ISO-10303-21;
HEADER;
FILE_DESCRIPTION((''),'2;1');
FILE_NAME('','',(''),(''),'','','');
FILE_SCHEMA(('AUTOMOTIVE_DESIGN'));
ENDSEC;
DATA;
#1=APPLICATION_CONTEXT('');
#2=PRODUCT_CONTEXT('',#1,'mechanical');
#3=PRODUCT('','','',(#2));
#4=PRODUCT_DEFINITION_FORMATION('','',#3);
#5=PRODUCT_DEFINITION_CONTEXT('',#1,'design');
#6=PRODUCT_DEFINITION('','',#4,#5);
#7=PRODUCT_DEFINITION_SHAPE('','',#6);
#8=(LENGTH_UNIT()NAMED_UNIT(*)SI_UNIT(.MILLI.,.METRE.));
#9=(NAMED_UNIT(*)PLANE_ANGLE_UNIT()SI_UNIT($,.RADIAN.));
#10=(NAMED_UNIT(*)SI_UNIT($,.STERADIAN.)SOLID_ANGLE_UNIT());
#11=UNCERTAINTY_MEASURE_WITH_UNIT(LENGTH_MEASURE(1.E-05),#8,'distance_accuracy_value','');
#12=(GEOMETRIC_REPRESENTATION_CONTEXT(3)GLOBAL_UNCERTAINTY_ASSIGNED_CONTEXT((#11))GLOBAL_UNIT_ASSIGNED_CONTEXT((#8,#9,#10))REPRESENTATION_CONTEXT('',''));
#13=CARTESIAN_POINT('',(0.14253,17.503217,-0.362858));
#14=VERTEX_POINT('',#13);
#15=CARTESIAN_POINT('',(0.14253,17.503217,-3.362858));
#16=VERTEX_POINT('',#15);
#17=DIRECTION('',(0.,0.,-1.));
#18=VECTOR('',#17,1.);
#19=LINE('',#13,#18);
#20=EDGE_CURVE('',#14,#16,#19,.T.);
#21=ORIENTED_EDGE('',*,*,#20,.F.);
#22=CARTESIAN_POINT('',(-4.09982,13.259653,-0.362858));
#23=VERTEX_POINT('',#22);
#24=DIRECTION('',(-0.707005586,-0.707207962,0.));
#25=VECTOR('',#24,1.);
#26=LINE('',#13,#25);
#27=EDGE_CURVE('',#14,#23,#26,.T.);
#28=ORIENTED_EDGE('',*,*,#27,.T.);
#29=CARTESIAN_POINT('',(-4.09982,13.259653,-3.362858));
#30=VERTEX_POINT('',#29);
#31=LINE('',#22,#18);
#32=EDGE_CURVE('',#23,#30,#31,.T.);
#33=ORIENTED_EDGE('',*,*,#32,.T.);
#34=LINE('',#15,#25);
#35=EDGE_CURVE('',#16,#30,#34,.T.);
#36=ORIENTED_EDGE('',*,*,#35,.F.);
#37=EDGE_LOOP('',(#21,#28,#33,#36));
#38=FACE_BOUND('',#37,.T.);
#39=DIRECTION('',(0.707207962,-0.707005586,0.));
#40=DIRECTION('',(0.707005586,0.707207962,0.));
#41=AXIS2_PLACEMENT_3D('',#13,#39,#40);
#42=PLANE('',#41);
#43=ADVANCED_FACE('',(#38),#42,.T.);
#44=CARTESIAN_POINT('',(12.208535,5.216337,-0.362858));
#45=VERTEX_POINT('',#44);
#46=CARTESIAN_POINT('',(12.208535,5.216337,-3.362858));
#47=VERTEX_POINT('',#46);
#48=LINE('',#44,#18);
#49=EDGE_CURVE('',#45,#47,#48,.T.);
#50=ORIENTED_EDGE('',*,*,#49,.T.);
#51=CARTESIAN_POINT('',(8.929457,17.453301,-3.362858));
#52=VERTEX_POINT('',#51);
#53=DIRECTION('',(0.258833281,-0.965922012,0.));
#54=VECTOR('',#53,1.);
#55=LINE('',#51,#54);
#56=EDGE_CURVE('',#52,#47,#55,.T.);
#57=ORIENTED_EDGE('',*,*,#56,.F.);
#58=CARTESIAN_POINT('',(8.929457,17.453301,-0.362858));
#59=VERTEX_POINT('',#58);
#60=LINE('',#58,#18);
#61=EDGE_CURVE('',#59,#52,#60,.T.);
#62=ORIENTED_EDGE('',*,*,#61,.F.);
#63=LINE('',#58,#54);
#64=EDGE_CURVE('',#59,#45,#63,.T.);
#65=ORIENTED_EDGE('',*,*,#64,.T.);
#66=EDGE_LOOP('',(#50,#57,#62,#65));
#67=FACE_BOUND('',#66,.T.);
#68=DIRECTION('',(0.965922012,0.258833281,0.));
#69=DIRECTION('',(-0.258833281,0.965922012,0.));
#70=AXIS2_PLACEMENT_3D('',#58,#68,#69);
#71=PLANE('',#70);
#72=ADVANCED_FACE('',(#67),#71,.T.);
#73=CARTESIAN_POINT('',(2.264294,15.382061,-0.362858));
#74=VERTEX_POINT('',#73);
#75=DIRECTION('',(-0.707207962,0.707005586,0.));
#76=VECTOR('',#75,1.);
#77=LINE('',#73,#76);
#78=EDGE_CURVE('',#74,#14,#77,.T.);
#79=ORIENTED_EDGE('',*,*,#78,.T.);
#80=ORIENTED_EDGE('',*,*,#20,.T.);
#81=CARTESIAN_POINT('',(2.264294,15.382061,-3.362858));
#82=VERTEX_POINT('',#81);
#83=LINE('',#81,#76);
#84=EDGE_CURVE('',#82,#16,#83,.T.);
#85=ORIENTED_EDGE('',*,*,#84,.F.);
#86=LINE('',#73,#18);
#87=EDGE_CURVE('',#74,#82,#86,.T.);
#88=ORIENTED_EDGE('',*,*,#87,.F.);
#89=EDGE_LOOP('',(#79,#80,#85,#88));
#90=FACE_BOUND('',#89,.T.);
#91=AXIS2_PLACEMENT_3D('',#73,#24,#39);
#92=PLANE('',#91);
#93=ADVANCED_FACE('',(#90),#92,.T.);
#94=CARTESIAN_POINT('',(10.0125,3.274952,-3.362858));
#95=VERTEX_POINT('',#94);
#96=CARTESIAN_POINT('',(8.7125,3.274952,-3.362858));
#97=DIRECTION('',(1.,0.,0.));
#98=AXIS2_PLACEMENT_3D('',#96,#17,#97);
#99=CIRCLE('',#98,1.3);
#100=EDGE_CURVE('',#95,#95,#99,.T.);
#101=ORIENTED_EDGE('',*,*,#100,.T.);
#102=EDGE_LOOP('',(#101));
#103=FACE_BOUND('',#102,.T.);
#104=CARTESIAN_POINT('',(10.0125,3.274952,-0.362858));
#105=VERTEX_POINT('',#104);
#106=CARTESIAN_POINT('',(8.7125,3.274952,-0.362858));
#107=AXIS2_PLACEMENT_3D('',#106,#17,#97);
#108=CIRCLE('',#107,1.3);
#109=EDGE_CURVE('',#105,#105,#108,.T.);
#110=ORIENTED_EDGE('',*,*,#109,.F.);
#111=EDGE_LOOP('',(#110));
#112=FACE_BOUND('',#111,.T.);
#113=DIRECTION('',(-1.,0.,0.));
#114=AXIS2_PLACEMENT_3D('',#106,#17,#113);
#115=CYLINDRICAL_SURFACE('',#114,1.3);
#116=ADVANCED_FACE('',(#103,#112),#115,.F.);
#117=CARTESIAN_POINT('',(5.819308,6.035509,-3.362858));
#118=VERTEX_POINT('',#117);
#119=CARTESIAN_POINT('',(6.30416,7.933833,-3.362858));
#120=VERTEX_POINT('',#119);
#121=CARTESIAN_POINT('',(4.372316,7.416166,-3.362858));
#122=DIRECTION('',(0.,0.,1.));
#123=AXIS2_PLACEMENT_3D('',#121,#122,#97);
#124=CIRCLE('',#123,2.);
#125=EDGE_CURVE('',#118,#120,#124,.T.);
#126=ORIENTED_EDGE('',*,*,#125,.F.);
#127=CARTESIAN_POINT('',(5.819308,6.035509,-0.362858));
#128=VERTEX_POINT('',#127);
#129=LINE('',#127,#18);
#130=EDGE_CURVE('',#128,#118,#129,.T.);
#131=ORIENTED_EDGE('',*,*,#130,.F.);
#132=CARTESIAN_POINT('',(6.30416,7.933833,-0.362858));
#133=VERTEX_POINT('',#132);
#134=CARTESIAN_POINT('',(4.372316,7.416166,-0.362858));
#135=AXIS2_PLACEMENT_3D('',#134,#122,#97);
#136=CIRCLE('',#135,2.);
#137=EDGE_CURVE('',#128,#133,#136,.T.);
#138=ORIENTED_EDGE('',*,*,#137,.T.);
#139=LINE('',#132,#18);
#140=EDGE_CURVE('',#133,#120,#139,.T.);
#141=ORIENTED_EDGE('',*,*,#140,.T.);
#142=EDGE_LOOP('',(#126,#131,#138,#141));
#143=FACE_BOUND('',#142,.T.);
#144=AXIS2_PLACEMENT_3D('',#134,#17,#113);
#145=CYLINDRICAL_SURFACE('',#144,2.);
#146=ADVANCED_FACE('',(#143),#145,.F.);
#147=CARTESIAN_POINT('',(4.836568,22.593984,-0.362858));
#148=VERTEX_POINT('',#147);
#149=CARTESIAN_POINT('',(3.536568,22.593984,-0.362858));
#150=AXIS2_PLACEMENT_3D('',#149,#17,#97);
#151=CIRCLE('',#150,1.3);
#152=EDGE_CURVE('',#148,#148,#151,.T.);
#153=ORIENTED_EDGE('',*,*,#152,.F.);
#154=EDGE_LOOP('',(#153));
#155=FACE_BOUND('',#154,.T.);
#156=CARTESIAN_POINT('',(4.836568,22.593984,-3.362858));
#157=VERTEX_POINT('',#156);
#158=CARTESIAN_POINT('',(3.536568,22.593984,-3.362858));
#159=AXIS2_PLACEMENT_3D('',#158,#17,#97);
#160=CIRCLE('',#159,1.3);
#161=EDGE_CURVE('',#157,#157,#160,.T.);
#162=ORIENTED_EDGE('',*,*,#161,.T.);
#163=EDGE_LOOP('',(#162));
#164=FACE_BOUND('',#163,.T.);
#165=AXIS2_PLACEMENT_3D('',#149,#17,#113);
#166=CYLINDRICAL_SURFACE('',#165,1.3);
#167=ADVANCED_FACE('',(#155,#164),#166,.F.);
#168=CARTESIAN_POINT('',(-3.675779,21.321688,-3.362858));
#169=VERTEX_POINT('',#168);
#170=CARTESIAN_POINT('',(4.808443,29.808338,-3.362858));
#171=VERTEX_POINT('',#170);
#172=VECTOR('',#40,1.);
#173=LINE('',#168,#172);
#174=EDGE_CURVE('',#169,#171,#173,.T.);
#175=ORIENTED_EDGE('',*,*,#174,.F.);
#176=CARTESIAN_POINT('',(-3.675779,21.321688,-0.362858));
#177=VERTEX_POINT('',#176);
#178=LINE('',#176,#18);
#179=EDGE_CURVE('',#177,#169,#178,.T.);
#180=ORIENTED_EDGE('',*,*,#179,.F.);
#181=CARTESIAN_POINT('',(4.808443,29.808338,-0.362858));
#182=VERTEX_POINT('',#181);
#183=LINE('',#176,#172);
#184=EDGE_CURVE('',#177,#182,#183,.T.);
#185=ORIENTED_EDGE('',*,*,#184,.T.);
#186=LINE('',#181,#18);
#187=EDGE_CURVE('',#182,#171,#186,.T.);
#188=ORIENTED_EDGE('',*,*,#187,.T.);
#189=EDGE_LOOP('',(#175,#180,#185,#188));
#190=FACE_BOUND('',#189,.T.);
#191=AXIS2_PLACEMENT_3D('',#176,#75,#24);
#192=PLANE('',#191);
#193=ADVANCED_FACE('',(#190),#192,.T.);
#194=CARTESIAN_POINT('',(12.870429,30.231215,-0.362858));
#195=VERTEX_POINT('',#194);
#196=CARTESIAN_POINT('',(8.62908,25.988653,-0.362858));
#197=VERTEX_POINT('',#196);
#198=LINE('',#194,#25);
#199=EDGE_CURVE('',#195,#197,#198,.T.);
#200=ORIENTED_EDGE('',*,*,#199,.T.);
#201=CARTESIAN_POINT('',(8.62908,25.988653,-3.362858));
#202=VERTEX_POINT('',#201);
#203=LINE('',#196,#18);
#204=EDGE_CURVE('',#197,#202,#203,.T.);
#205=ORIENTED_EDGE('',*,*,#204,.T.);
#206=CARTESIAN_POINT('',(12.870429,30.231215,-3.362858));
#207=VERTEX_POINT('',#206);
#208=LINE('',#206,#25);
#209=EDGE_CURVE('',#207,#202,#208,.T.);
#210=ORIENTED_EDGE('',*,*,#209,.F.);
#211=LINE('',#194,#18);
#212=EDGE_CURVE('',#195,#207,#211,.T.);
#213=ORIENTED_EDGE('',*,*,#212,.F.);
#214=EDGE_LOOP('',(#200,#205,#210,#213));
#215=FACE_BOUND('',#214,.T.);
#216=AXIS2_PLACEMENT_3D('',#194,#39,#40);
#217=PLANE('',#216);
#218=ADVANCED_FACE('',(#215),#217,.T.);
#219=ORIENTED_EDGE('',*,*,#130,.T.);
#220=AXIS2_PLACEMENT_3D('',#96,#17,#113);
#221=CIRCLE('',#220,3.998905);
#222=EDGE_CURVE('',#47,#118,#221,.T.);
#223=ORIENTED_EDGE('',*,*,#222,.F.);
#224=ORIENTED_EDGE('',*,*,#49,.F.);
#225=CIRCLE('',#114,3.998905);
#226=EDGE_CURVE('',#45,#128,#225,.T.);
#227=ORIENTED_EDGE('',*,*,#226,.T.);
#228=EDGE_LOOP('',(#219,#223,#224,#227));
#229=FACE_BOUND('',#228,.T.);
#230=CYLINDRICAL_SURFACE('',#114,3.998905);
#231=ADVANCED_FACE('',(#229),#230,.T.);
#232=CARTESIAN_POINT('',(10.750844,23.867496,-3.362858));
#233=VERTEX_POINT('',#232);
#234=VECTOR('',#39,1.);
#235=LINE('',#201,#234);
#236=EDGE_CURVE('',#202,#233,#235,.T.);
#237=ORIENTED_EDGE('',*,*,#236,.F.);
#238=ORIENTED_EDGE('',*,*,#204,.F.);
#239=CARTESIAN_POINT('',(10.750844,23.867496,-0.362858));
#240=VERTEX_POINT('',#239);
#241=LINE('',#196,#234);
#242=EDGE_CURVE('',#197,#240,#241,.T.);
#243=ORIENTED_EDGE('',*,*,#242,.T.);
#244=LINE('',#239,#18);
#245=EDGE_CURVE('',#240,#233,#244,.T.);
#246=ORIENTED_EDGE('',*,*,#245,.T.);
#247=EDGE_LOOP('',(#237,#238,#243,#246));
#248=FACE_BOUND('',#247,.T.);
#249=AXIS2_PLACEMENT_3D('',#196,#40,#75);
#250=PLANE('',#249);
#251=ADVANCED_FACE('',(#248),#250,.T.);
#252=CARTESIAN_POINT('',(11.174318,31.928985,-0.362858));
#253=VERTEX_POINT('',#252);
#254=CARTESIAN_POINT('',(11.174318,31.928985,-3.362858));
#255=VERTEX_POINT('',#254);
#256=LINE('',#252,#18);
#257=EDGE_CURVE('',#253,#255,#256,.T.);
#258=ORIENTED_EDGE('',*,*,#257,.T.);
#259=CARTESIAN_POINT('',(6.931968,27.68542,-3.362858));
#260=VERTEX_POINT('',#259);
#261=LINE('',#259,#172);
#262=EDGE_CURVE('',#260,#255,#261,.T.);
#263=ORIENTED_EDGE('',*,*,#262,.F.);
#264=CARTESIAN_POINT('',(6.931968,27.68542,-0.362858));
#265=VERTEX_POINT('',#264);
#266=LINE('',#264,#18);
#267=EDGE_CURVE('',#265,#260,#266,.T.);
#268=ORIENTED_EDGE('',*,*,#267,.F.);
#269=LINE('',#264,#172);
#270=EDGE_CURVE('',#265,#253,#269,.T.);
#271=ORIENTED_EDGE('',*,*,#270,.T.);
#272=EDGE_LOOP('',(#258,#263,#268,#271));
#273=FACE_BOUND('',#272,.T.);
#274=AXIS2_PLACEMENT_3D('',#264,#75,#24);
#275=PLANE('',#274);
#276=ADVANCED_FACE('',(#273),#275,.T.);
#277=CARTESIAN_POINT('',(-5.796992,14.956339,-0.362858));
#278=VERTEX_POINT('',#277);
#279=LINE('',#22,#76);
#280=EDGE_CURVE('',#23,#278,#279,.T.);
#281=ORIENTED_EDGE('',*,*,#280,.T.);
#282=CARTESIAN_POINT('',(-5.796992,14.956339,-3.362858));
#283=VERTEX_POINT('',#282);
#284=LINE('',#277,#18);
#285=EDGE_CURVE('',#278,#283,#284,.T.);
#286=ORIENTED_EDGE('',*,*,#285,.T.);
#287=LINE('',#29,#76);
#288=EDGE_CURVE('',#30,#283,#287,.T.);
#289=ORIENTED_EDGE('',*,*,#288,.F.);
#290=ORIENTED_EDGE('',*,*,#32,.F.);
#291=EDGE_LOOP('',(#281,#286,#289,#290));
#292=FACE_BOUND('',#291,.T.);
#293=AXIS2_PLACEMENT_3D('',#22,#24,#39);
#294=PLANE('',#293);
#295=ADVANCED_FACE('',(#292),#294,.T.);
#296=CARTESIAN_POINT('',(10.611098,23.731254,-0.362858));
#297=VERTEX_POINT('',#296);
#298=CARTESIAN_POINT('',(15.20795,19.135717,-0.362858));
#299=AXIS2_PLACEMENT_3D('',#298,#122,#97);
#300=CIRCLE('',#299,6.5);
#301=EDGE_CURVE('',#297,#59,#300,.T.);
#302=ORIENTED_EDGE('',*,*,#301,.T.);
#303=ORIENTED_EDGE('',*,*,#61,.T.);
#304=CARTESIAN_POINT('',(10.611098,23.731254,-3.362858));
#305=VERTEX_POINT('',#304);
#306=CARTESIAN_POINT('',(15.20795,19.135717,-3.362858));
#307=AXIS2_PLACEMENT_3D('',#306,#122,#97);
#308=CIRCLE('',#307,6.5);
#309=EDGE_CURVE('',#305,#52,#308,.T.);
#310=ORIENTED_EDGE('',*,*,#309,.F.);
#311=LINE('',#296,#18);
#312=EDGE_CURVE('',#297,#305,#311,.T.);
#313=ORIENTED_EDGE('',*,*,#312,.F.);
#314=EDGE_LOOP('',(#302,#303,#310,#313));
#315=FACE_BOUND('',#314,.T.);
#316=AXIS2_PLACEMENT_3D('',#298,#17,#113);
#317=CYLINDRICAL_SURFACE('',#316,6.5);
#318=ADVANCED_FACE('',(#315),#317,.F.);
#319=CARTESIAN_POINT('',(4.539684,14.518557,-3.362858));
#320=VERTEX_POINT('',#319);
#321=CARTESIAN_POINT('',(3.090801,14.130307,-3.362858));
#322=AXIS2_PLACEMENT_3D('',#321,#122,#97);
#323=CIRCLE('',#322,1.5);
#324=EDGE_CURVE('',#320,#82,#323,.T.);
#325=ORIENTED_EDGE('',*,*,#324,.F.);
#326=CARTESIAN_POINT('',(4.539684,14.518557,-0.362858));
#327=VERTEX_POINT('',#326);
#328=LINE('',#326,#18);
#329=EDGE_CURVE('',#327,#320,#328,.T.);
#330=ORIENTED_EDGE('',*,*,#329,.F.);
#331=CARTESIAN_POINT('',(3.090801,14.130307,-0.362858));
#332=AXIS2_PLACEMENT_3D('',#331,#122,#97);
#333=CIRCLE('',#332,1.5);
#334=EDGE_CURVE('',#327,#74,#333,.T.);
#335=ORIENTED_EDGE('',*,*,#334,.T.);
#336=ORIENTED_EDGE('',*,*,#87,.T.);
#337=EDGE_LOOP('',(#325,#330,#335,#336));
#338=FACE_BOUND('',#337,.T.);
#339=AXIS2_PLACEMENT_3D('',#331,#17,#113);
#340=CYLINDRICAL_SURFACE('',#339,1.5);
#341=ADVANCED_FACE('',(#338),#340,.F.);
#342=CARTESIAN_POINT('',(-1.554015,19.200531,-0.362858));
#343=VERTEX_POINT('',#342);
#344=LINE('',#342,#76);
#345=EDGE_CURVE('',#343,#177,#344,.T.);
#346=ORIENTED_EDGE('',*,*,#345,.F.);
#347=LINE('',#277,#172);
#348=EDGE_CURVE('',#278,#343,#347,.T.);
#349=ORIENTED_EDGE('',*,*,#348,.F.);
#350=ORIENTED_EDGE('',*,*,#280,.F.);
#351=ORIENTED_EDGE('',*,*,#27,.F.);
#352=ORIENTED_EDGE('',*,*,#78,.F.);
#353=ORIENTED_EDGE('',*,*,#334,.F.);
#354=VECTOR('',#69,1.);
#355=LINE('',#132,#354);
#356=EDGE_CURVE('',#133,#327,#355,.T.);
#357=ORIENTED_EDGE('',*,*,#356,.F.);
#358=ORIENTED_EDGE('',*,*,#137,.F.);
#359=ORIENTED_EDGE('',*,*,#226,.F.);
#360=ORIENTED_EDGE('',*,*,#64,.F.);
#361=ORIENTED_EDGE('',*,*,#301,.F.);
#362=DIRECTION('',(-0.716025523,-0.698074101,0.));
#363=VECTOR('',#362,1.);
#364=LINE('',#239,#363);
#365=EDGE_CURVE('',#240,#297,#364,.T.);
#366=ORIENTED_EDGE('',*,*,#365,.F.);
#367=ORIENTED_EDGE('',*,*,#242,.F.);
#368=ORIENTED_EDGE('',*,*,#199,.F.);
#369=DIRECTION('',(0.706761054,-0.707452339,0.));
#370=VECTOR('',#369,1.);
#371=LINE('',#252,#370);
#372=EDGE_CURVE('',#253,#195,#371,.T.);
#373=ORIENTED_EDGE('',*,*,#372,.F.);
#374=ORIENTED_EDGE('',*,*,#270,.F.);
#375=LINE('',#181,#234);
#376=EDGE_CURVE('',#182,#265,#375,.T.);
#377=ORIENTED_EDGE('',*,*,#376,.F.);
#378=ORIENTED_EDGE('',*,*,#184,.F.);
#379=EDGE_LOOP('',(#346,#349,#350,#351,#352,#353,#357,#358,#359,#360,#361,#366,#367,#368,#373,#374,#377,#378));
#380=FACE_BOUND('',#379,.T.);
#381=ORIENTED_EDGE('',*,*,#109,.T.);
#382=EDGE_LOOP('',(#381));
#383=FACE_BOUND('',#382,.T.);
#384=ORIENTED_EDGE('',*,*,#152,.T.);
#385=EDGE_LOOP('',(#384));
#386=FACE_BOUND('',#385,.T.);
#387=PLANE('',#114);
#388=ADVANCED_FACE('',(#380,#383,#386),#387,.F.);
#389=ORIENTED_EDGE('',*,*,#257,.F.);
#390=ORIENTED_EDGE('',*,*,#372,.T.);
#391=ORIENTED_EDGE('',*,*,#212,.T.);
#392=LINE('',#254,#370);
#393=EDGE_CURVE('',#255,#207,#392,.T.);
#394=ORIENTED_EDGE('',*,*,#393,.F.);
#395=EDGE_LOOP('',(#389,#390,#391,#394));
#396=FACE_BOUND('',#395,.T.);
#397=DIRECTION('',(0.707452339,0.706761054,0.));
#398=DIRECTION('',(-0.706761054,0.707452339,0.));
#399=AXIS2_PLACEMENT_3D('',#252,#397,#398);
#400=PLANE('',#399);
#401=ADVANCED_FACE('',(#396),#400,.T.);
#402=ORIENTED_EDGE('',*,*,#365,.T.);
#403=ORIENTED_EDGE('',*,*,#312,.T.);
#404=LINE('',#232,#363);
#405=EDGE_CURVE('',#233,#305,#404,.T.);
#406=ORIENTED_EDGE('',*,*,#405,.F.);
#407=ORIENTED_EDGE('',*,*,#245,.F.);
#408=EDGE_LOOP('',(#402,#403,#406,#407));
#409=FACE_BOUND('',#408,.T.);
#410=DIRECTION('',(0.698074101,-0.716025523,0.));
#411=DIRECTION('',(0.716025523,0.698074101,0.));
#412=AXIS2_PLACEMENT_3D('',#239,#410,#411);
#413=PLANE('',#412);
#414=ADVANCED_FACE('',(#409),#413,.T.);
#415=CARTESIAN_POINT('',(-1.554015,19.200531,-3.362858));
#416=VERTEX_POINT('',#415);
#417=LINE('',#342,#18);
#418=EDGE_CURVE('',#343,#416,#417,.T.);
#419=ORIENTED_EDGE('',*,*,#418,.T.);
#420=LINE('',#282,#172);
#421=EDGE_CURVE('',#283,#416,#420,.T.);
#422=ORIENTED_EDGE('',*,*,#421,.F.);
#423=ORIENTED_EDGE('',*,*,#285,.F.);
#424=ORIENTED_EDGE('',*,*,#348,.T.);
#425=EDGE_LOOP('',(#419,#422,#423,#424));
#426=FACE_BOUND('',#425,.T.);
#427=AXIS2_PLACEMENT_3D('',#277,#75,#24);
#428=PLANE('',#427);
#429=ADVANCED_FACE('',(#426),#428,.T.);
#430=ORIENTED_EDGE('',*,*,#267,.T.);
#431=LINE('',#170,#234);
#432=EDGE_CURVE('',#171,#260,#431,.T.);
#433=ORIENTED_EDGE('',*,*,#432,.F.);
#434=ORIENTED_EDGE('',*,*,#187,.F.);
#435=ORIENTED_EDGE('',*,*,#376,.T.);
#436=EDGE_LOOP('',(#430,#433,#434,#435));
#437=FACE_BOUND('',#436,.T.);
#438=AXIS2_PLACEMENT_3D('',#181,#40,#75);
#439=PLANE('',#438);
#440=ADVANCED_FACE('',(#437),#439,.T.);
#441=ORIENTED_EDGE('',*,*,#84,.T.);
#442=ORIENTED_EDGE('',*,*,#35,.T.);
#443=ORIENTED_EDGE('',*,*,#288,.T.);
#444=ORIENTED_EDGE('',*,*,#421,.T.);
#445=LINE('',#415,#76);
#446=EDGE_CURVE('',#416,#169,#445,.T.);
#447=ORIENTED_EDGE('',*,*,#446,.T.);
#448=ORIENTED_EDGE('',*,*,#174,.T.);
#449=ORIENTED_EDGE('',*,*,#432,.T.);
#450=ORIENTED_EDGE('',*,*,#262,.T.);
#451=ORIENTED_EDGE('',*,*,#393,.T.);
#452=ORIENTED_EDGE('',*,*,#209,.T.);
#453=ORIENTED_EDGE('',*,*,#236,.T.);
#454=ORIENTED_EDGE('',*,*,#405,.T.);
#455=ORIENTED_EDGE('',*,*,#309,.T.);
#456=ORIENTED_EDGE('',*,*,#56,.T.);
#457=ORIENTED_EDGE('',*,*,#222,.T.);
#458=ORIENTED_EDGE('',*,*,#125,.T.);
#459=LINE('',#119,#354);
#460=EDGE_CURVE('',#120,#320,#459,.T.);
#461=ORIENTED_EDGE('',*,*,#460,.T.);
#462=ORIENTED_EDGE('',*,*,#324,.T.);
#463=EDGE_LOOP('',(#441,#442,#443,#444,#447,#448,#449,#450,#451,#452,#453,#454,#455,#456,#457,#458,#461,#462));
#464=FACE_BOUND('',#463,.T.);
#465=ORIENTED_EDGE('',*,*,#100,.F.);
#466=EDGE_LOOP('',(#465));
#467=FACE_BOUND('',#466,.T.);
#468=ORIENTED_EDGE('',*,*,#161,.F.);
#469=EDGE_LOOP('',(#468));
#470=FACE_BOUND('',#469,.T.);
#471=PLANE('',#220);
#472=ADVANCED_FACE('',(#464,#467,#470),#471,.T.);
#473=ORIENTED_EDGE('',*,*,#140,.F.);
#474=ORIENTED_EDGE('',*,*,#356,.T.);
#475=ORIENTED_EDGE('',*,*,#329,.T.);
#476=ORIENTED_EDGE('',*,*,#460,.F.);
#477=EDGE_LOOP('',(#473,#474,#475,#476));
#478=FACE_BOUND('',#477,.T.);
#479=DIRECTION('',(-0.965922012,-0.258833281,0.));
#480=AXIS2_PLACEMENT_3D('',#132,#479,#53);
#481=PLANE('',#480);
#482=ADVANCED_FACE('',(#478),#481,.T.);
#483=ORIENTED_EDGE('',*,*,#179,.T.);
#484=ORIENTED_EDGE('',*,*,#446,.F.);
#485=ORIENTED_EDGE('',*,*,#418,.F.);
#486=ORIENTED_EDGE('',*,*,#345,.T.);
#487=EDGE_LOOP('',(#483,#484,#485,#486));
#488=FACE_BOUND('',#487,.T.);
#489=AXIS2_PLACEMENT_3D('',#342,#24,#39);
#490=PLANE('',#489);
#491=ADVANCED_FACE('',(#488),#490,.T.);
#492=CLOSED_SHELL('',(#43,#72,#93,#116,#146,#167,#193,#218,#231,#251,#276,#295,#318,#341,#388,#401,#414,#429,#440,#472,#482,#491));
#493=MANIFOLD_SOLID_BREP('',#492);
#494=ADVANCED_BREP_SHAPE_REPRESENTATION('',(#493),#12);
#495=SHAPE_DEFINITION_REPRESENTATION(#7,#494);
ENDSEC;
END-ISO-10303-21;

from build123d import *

# Parameters (mm, degrees)
SKETCH_1_R      = 1.3
EXTRUDE_1_DEPTH = 3


with BuildPart() as part:
    # 草图1 → 凸台-拉伸1 (new body)
    with BuildSketch(Plane(origin=(0, 0, -3.362857667), x_dir=(-1, 0, 0), z_dir=(0, 0, -1))):
        with BuildLine():
            Line((-6.304159928, 7.933833034), (-4.539684391, 14.518557193))
            ThreePointArc((-4.539684391, 14.518557193), (-3.62301138, 15.532716808), (-2.264294404, 15.382060533))
            Line((-2.264294404, 15.382060533), (-0.142530428, 17.503217342))
            Line((-0.142530428, 17.503217342), (4.099819599, 13.25965297))
            Line((4.099819599, 13.25965297), (5.796991646, 14.956339352))
            Line((5.796991646, 14.956339352), (1.554014804, 19.200530718))
            Line((1.554014804, 19.200530718), (3.675778781, 21.321687528))
            Line((3.675778781, 21.321687528), (-4.808443123, 29.808337985))
            Line((-4.808443123, 29.808337985), (-6.931968366, 27.685420414))
            Line((-6.931968366, 27.685420414), (-11.174318393, 31.928984786))
            Line((-11.174318393, 31.928984786), (-12.870428791, 30.231215419))
            Line((-12.870428791, 30.231215419), (-8.629080401, 25.98865297))
            Line((-8.629080401, 25.98865297), (-10.750844377, 23.867496161))
            Line((-10.750844377, 23.867496161), (-10.611098311, 23.731253658))
            ThreePointArc((-10.611098311, 23.731253658), (-8.929299443, 20.817545637), (-8.929456987, 17.45330102))
            Line((-8.929456987, 17.45330102), (-12.208534908, 5.216337034))
            ThreePointArc((-12.208534908, 5.216337034), (-8.203956956, -0.691485495), (-5.819308033, 6.03550946))
            ThreePointArc((-5.819308033, 6.03550946), (-6.310108859, 6.921233679), (-6.304159928, 7.933833034))
        make_face()
        with Locations(Location((-8.71249984, 3.274951558, 0), (0, 0, 180))):
            Circle(SKETCH_1_R, mode=Mode.SUBTRACT)
        with Locations(Location((-3.536567574, 22.593983824, 0), (0, 0, 180))):
            Circle(SKETCH_1_R, mode=Mode.SUBTRACT)
    extrude(amount=-EXTRUDE_1_DEPTH)


solid = part.part
